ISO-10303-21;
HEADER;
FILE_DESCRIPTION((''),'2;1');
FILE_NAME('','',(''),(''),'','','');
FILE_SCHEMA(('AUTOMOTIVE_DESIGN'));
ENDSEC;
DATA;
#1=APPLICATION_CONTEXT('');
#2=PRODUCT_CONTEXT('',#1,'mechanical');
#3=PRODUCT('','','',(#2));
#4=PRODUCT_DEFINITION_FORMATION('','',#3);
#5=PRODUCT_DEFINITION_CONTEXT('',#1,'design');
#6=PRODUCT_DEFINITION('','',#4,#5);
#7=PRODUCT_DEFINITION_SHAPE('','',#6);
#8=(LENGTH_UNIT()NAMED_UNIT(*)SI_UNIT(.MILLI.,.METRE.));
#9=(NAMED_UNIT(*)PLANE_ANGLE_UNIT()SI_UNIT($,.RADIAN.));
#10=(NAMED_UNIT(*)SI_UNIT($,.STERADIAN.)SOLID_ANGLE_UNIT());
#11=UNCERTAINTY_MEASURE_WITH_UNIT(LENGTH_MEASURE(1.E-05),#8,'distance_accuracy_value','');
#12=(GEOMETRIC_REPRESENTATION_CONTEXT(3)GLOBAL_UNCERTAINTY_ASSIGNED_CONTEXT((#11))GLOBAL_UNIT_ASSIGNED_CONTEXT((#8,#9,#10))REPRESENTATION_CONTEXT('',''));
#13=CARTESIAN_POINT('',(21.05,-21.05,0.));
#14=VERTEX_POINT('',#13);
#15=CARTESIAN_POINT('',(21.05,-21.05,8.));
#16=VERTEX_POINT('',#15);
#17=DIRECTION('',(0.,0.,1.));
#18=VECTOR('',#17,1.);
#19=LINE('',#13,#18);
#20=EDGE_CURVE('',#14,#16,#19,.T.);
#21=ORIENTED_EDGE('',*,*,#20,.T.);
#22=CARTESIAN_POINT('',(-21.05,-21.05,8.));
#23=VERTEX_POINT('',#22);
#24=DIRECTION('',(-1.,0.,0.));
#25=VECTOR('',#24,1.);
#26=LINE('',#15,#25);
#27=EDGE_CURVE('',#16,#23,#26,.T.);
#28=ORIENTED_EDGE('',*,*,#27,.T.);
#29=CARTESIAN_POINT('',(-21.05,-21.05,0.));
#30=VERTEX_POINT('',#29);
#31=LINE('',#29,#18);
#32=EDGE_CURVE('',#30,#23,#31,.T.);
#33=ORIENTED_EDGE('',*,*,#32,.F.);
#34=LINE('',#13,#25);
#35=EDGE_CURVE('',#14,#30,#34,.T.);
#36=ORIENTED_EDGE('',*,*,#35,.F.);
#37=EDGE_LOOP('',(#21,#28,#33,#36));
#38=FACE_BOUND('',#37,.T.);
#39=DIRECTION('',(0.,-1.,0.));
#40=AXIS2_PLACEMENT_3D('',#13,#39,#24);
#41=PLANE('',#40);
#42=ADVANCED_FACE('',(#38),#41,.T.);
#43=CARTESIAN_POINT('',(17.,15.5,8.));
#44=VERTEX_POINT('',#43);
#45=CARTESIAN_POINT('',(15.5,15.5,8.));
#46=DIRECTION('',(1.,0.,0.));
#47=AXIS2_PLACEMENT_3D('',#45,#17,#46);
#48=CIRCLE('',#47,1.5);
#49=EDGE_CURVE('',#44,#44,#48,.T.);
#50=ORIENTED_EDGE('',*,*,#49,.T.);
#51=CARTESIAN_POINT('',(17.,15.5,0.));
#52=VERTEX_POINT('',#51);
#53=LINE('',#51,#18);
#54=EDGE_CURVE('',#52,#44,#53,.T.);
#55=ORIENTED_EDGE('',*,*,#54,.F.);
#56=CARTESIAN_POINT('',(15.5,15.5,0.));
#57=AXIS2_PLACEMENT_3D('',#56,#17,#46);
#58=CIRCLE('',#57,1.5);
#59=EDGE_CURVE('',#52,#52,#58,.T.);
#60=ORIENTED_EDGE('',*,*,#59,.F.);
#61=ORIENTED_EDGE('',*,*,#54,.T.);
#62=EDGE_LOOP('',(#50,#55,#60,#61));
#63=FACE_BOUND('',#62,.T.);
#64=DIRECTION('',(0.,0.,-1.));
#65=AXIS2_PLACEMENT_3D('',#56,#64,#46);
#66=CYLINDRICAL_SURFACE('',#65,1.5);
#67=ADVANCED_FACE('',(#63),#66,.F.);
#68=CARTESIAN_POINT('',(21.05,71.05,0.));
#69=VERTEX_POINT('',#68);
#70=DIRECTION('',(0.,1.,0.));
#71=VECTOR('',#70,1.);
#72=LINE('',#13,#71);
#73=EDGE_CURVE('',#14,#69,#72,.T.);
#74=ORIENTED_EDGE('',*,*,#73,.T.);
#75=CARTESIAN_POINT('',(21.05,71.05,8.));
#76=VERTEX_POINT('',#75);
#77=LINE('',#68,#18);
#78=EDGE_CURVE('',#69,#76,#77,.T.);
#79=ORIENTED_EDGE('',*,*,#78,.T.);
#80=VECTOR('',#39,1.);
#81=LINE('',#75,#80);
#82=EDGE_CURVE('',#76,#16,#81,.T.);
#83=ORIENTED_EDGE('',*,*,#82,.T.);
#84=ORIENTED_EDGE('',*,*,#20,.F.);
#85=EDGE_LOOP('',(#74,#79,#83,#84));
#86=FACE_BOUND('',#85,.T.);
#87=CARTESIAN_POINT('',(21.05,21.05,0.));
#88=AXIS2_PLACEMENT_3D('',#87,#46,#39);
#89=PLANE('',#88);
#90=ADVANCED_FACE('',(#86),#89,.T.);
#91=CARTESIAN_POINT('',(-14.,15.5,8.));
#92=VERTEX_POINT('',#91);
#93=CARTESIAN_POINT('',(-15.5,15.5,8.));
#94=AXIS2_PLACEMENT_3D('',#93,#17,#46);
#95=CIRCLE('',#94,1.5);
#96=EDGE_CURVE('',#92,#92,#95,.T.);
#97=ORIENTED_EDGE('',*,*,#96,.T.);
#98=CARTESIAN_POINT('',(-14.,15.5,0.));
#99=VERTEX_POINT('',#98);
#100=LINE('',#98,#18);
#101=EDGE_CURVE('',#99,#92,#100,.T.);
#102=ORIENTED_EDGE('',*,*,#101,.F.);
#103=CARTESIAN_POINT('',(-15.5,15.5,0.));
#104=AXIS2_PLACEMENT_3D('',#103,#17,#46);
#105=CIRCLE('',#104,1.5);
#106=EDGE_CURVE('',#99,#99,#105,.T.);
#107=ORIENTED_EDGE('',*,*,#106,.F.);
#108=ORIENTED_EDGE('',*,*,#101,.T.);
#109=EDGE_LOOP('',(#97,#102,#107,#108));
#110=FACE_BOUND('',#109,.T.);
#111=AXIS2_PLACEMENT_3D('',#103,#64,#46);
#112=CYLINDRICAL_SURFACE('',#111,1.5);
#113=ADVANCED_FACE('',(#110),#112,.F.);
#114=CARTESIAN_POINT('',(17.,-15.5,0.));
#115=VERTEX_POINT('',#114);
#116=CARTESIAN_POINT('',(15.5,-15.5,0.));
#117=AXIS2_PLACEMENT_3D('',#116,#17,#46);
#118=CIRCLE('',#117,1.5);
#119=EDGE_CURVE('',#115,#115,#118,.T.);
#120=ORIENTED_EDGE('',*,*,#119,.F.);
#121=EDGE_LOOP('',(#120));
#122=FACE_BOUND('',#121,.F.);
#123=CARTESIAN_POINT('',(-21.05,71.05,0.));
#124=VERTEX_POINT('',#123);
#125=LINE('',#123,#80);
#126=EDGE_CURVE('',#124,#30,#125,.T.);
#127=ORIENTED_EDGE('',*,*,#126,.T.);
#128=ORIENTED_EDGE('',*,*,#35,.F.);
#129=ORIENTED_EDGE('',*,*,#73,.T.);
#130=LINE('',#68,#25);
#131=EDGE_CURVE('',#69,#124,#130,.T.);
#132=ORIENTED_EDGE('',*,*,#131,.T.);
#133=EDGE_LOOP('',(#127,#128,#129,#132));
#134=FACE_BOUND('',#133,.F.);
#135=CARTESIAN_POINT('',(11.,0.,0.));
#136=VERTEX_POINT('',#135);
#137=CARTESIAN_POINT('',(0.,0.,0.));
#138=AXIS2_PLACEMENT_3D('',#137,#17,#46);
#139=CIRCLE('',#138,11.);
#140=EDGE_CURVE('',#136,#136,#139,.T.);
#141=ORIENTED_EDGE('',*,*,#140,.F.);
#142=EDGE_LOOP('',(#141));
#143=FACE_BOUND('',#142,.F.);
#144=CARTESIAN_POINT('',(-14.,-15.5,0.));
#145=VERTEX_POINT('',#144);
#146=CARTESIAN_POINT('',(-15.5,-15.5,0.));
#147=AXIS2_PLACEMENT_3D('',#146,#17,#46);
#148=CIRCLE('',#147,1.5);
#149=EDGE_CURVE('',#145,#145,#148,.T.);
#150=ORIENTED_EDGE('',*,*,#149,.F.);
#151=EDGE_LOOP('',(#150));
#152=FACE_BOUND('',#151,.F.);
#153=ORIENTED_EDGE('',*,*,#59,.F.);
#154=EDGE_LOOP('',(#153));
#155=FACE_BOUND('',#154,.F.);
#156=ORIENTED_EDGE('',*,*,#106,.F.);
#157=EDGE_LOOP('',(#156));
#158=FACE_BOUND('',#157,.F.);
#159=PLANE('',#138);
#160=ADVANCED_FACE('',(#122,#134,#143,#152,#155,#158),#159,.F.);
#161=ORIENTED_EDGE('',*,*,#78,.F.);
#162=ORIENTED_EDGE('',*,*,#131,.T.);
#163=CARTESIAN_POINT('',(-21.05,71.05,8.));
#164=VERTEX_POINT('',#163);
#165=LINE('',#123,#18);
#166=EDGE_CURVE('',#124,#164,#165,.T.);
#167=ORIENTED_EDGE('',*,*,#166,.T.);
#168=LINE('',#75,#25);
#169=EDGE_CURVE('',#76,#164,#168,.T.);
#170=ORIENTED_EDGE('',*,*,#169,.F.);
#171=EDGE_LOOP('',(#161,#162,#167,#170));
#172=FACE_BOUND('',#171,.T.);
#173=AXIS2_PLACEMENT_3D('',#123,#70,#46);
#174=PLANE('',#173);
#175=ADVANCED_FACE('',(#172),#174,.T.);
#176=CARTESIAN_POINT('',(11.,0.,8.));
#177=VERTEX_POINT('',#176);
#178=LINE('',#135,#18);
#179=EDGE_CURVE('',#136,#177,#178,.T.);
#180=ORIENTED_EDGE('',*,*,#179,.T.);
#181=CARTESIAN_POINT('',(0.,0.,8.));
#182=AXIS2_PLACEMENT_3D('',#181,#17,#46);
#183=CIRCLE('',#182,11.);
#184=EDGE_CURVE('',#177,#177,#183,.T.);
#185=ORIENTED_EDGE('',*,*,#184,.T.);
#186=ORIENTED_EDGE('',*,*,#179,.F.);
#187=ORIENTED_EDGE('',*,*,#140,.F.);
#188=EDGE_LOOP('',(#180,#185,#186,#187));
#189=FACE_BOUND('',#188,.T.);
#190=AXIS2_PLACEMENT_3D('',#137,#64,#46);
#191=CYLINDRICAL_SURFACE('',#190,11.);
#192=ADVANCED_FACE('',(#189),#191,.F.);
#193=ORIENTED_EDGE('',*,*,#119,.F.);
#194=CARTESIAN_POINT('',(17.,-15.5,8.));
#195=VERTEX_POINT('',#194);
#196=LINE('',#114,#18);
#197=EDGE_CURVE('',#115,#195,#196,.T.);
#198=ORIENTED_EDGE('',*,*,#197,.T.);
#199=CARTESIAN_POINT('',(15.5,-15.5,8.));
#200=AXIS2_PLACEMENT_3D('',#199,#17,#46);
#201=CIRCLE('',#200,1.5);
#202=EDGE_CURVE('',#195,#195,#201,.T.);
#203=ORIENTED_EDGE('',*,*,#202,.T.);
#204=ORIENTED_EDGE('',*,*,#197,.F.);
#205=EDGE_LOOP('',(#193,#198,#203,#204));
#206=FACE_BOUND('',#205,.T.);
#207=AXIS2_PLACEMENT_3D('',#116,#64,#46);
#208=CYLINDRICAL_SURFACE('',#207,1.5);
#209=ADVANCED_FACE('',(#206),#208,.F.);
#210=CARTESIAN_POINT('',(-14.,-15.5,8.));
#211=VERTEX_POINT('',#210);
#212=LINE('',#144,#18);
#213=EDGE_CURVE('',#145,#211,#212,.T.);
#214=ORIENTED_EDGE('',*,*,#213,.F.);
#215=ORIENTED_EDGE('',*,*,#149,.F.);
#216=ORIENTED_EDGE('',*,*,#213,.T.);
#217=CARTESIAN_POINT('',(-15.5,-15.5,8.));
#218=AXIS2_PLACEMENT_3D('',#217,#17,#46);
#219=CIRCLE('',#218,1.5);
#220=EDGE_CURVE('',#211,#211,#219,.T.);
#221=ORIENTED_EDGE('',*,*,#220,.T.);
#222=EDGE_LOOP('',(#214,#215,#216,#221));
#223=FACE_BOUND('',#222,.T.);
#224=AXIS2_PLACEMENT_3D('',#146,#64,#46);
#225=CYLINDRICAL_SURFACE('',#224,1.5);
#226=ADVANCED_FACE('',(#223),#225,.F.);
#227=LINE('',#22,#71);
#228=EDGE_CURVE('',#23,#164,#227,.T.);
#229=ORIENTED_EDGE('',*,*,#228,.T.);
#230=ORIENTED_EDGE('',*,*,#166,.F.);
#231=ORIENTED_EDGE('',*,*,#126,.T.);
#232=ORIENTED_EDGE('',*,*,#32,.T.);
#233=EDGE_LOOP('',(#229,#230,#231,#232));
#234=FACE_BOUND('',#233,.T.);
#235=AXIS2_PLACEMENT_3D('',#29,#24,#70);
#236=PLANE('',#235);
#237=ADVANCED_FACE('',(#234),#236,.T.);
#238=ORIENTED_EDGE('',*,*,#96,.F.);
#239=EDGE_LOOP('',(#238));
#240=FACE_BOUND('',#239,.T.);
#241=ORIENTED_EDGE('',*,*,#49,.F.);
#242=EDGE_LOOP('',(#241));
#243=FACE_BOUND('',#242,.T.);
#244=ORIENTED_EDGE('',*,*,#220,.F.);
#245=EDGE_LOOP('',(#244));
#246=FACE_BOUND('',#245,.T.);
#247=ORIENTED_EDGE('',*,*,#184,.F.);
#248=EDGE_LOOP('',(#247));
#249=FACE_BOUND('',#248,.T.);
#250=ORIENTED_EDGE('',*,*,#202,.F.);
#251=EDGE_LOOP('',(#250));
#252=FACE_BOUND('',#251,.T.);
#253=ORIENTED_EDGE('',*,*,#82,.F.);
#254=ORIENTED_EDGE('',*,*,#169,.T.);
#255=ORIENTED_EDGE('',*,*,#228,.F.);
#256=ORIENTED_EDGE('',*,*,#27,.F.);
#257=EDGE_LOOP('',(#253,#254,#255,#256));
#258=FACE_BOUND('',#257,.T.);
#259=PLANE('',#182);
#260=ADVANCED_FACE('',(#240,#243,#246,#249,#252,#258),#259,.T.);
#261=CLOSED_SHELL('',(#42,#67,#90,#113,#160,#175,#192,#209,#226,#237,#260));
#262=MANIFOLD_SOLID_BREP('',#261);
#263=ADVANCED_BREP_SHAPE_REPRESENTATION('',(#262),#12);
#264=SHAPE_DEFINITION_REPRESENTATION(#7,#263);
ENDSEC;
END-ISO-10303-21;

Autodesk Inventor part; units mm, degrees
ref_plane "YZ Plane" through (0, 0, 0) normal (1, 0, 0) x (0, 1, 0)
ref_plane "XZ Plane" through (0, 0, 0) normal (0, 1, 0) x (-1, 0, 0)
ref_plane "XY Plane" through (0, 0, 0) normal (0, 0, 1) x (1, 0, 0)
sketch "Sketch1" plane through (0, 0, 0) normal (0, 0, 1) x (1, 0, 0)
  circle A0 centre (0, 0) radius 11 projected
  circle A1 centre (-15.5, 15.5) radius 1.5 projected
  circle A2 centre (15.5, 15.5) radius 1.5 projected
  circle A3 centre (-15.5, -15.5) radius 1.5 projected
  circle A4 centre (15.5, -15.5) radius 1.5 projected
  line L0 (21.05, -21.05) -> (-21.05, -21.05)
  line L1 (21.05, 21.05) -> (21.05, -21.05)
  line L2 (-21.05, 21.05) -> (21.05, 21.05)
  line L3 (-21.05, -21.05) -> (-21.05, 21.05)
  point P0 (0, 0)
extrude "Extrusion1" add sketch "Sketch1" along normal blind 8
sketch "Sketch2" plane through (-21.05, 21.05, 0) normal (0, 1, 0) x (1, 0, 0)
  line L0 (42.1, 0) -> (0, 0) projected
  line L1 (0, 0) -> (0, -8) projected
  line L2 (42.1, -8) -> (0, -8) projected
  line L3 (42.1, 0) -> (42.1, -8) projected
  point P0 (21.05, 0)
extrude "Extrusion2" add sketch "Sketch2" along normal blind 50
properties part number "nema17 x plate"
